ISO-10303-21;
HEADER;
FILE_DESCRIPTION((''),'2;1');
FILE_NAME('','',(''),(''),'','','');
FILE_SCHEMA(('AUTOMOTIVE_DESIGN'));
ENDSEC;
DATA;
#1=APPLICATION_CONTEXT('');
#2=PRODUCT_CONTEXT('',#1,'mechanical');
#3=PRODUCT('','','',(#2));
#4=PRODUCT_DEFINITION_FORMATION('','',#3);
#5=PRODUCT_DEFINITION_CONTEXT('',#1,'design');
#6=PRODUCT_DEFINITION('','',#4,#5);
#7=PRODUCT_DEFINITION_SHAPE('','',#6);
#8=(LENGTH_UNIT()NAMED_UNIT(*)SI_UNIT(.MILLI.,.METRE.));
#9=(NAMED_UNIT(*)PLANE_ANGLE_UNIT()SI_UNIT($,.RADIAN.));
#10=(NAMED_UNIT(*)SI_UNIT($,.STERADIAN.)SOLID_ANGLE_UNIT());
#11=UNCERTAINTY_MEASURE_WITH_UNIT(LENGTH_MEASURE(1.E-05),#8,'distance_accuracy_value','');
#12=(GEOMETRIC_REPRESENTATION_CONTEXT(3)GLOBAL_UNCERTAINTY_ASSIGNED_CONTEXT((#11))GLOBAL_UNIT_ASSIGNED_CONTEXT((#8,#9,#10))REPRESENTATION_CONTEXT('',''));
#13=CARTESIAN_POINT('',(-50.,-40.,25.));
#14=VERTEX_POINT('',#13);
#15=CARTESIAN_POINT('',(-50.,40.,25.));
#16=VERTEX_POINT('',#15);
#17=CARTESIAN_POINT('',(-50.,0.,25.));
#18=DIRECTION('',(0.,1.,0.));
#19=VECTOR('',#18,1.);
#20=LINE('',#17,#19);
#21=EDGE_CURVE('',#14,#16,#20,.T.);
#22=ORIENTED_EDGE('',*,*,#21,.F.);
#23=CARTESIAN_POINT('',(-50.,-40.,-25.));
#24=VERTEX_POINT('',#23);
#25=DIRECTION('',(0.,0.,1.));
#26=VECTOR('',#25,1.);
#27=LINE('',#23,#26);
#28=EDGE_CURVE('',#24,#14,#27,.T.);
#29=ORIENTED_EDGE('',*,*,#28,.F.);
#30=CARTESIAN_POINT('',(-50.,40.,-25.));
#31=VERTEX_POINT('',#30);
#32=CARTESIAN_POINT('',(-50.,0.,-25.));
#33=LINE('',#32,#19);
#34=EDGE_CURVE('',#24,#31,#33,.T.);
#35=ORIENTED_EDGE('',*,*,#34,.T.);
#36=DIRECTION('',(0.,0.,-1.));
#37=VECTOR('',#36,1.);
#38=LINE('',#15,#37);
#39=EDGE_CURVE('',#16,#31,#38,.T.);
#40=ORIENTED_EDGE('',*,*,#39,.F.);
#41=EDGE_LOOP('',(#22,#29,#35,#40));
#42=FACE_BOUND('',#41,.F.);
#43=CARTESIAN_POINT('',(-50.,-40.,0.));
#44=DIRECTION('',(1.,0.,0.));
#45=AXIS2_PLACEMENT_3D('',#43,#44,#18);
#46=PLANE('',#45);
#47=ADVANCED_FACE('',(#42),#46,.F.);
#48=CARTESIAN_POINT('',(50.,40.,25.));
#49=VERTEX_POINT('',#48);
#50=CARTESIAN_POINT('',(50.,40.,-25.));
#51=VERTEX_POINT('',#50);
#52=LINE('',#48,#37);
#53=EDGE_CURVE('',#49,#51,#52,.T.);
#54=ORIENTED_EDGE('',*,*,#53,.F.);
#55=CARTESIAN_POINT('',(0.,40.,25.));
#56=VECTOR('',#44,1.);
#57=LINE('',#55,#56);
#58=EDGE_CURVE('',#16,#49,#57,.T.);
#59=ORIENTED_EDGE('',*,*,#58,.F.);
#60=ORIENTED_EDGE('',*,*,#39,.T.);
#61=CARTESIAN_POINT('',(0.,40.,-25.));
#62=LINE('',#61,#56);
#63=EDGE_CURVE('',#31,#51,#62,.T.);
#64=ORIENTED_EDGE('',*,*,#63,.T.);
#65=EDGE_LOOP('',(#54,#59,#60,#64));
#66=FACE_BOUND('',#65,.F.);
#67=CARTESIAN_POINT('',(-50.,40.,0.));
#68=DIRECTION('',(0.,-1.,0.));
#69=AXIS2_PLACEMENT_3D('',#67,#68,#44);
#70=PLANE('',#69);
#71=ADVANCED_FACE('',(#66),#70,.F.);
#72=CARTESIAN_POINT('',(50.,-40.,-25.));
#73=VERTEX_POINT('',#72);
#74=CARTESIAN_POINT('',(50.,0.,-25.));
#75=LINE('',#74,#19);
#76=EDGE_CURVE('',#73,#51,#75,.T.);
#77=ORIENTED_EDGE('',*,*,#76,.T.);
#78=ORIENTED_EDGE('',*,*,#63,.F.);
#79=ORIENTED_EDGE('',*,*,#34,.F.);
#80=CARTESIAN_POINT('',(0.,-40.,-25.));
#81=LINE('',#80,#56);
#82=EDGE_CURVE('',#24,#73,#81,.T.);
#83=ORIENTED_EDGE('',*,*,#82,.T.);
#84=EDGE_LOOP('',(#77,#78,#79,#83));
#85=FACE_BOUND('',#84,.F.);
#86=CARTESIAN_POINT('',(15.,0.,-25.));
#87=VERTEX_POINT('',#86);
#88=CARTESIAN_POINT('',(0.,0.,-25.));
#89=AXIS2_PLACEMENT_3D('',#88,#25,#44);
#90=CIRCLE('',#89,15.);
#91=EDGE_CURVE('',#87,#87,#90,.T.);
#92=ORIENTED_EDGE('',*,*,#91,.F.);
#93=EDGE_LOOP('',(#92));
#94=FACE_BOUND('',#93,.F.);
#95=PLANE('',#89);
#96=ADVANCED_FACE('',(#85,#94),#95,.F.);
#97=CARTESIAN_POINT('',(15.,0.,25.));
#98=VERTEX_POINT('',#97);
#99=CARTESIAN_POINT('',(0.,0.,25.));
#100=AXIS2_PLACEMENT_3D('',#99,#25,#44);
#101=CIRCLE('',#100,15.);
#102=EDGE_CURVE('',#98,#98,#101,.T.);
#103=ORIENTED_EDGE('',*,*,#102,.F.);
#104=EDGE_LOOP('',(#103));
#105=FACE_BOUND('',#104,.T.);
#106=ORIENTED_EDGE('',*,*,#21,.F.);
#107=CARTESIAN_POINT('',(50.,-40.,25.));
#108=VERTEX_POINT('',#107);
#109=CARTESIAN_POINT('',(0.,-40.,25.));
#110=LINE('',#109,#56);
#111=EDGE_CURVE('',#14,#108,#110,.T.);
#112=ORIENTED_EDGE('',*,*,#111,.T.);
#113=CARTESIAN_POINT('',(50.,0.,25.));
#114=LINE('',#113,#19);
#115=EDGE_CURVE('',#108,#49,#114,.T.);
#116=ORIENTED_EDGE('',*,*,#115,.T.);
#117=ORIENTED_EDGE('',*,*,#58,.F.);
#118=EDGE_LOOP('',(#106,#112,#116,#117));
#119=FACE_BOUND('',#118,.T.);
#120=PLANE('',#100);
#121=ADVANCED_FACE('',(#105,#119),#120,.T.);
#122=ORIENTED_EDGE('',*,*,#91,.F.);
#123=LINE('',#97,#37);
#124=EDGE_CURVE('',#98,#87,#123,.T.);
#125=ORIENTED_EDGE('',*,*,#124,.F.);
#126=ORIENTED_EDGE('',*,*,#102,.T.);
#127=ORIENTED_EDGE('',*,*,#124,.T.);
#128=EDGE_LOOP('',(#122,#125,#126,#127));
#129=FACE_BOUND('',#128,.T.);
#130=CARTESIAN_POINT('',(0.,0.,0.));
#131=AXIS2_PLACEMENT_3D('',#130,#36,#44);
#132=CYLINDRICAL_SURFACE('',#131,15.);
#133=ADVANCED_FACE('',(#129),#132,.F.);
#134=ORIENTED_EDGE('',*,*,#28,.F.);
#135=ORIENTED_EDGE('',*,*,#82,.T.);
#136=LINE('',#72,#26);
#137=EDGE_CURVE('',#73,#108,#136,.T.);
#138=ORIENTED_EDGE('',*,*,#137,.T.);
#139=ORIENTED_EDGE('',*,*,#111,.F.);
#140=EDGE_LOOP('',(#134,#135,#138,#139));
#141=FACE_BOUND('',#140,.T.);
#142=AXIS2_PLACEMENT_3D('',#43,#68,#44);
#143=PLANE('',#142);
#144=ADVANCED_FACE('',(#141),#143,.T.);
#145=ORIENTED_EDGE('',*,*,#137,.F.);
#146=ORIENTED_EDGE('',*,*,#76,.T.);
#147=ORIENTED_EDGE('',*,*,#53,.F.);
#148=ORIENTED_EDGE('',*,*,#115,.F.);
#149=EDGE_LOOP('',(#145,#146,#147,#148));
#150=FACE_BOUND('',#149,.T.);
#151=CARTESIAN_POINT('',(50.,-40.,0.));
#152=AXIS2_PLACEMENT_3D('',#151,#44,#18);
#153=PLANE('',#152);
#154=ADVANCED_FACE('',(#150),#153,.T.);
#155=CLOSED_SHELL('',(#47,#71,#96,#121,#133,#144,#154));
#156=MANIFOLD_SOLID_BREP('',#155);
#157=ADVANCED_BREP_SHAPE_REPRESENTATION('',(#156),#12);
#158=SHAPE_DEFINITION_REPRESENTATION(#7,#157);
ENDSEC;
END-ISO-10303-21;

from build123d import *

# Parameters (mm, degrees)
F0_W     = 100
F0_H     = 80
F0_R     = 15
F1_DEPTH = 25
F2_DEPTH = 25


with BuildPart() as f1:
    # F0 (on Top) → F1 (new body, symmetric)
    with BuildSketch(Plane.XY):
        Rectangle(F0_W, F0_H)
        Circle(F0_R, mode=Mode.SUBTRACT)
    extrude(amount=F1_DEPTH, both=True)

    # F0 (on Top) → F2 (join)
    with BuildSketch(Plane.XY):
        Rectangle(F0_W, F0_H)
        Circle(F0_R, mode=Mode.SUBTRACT)
    extrude(amount=F2_DEPTH)


solid = f1.part
